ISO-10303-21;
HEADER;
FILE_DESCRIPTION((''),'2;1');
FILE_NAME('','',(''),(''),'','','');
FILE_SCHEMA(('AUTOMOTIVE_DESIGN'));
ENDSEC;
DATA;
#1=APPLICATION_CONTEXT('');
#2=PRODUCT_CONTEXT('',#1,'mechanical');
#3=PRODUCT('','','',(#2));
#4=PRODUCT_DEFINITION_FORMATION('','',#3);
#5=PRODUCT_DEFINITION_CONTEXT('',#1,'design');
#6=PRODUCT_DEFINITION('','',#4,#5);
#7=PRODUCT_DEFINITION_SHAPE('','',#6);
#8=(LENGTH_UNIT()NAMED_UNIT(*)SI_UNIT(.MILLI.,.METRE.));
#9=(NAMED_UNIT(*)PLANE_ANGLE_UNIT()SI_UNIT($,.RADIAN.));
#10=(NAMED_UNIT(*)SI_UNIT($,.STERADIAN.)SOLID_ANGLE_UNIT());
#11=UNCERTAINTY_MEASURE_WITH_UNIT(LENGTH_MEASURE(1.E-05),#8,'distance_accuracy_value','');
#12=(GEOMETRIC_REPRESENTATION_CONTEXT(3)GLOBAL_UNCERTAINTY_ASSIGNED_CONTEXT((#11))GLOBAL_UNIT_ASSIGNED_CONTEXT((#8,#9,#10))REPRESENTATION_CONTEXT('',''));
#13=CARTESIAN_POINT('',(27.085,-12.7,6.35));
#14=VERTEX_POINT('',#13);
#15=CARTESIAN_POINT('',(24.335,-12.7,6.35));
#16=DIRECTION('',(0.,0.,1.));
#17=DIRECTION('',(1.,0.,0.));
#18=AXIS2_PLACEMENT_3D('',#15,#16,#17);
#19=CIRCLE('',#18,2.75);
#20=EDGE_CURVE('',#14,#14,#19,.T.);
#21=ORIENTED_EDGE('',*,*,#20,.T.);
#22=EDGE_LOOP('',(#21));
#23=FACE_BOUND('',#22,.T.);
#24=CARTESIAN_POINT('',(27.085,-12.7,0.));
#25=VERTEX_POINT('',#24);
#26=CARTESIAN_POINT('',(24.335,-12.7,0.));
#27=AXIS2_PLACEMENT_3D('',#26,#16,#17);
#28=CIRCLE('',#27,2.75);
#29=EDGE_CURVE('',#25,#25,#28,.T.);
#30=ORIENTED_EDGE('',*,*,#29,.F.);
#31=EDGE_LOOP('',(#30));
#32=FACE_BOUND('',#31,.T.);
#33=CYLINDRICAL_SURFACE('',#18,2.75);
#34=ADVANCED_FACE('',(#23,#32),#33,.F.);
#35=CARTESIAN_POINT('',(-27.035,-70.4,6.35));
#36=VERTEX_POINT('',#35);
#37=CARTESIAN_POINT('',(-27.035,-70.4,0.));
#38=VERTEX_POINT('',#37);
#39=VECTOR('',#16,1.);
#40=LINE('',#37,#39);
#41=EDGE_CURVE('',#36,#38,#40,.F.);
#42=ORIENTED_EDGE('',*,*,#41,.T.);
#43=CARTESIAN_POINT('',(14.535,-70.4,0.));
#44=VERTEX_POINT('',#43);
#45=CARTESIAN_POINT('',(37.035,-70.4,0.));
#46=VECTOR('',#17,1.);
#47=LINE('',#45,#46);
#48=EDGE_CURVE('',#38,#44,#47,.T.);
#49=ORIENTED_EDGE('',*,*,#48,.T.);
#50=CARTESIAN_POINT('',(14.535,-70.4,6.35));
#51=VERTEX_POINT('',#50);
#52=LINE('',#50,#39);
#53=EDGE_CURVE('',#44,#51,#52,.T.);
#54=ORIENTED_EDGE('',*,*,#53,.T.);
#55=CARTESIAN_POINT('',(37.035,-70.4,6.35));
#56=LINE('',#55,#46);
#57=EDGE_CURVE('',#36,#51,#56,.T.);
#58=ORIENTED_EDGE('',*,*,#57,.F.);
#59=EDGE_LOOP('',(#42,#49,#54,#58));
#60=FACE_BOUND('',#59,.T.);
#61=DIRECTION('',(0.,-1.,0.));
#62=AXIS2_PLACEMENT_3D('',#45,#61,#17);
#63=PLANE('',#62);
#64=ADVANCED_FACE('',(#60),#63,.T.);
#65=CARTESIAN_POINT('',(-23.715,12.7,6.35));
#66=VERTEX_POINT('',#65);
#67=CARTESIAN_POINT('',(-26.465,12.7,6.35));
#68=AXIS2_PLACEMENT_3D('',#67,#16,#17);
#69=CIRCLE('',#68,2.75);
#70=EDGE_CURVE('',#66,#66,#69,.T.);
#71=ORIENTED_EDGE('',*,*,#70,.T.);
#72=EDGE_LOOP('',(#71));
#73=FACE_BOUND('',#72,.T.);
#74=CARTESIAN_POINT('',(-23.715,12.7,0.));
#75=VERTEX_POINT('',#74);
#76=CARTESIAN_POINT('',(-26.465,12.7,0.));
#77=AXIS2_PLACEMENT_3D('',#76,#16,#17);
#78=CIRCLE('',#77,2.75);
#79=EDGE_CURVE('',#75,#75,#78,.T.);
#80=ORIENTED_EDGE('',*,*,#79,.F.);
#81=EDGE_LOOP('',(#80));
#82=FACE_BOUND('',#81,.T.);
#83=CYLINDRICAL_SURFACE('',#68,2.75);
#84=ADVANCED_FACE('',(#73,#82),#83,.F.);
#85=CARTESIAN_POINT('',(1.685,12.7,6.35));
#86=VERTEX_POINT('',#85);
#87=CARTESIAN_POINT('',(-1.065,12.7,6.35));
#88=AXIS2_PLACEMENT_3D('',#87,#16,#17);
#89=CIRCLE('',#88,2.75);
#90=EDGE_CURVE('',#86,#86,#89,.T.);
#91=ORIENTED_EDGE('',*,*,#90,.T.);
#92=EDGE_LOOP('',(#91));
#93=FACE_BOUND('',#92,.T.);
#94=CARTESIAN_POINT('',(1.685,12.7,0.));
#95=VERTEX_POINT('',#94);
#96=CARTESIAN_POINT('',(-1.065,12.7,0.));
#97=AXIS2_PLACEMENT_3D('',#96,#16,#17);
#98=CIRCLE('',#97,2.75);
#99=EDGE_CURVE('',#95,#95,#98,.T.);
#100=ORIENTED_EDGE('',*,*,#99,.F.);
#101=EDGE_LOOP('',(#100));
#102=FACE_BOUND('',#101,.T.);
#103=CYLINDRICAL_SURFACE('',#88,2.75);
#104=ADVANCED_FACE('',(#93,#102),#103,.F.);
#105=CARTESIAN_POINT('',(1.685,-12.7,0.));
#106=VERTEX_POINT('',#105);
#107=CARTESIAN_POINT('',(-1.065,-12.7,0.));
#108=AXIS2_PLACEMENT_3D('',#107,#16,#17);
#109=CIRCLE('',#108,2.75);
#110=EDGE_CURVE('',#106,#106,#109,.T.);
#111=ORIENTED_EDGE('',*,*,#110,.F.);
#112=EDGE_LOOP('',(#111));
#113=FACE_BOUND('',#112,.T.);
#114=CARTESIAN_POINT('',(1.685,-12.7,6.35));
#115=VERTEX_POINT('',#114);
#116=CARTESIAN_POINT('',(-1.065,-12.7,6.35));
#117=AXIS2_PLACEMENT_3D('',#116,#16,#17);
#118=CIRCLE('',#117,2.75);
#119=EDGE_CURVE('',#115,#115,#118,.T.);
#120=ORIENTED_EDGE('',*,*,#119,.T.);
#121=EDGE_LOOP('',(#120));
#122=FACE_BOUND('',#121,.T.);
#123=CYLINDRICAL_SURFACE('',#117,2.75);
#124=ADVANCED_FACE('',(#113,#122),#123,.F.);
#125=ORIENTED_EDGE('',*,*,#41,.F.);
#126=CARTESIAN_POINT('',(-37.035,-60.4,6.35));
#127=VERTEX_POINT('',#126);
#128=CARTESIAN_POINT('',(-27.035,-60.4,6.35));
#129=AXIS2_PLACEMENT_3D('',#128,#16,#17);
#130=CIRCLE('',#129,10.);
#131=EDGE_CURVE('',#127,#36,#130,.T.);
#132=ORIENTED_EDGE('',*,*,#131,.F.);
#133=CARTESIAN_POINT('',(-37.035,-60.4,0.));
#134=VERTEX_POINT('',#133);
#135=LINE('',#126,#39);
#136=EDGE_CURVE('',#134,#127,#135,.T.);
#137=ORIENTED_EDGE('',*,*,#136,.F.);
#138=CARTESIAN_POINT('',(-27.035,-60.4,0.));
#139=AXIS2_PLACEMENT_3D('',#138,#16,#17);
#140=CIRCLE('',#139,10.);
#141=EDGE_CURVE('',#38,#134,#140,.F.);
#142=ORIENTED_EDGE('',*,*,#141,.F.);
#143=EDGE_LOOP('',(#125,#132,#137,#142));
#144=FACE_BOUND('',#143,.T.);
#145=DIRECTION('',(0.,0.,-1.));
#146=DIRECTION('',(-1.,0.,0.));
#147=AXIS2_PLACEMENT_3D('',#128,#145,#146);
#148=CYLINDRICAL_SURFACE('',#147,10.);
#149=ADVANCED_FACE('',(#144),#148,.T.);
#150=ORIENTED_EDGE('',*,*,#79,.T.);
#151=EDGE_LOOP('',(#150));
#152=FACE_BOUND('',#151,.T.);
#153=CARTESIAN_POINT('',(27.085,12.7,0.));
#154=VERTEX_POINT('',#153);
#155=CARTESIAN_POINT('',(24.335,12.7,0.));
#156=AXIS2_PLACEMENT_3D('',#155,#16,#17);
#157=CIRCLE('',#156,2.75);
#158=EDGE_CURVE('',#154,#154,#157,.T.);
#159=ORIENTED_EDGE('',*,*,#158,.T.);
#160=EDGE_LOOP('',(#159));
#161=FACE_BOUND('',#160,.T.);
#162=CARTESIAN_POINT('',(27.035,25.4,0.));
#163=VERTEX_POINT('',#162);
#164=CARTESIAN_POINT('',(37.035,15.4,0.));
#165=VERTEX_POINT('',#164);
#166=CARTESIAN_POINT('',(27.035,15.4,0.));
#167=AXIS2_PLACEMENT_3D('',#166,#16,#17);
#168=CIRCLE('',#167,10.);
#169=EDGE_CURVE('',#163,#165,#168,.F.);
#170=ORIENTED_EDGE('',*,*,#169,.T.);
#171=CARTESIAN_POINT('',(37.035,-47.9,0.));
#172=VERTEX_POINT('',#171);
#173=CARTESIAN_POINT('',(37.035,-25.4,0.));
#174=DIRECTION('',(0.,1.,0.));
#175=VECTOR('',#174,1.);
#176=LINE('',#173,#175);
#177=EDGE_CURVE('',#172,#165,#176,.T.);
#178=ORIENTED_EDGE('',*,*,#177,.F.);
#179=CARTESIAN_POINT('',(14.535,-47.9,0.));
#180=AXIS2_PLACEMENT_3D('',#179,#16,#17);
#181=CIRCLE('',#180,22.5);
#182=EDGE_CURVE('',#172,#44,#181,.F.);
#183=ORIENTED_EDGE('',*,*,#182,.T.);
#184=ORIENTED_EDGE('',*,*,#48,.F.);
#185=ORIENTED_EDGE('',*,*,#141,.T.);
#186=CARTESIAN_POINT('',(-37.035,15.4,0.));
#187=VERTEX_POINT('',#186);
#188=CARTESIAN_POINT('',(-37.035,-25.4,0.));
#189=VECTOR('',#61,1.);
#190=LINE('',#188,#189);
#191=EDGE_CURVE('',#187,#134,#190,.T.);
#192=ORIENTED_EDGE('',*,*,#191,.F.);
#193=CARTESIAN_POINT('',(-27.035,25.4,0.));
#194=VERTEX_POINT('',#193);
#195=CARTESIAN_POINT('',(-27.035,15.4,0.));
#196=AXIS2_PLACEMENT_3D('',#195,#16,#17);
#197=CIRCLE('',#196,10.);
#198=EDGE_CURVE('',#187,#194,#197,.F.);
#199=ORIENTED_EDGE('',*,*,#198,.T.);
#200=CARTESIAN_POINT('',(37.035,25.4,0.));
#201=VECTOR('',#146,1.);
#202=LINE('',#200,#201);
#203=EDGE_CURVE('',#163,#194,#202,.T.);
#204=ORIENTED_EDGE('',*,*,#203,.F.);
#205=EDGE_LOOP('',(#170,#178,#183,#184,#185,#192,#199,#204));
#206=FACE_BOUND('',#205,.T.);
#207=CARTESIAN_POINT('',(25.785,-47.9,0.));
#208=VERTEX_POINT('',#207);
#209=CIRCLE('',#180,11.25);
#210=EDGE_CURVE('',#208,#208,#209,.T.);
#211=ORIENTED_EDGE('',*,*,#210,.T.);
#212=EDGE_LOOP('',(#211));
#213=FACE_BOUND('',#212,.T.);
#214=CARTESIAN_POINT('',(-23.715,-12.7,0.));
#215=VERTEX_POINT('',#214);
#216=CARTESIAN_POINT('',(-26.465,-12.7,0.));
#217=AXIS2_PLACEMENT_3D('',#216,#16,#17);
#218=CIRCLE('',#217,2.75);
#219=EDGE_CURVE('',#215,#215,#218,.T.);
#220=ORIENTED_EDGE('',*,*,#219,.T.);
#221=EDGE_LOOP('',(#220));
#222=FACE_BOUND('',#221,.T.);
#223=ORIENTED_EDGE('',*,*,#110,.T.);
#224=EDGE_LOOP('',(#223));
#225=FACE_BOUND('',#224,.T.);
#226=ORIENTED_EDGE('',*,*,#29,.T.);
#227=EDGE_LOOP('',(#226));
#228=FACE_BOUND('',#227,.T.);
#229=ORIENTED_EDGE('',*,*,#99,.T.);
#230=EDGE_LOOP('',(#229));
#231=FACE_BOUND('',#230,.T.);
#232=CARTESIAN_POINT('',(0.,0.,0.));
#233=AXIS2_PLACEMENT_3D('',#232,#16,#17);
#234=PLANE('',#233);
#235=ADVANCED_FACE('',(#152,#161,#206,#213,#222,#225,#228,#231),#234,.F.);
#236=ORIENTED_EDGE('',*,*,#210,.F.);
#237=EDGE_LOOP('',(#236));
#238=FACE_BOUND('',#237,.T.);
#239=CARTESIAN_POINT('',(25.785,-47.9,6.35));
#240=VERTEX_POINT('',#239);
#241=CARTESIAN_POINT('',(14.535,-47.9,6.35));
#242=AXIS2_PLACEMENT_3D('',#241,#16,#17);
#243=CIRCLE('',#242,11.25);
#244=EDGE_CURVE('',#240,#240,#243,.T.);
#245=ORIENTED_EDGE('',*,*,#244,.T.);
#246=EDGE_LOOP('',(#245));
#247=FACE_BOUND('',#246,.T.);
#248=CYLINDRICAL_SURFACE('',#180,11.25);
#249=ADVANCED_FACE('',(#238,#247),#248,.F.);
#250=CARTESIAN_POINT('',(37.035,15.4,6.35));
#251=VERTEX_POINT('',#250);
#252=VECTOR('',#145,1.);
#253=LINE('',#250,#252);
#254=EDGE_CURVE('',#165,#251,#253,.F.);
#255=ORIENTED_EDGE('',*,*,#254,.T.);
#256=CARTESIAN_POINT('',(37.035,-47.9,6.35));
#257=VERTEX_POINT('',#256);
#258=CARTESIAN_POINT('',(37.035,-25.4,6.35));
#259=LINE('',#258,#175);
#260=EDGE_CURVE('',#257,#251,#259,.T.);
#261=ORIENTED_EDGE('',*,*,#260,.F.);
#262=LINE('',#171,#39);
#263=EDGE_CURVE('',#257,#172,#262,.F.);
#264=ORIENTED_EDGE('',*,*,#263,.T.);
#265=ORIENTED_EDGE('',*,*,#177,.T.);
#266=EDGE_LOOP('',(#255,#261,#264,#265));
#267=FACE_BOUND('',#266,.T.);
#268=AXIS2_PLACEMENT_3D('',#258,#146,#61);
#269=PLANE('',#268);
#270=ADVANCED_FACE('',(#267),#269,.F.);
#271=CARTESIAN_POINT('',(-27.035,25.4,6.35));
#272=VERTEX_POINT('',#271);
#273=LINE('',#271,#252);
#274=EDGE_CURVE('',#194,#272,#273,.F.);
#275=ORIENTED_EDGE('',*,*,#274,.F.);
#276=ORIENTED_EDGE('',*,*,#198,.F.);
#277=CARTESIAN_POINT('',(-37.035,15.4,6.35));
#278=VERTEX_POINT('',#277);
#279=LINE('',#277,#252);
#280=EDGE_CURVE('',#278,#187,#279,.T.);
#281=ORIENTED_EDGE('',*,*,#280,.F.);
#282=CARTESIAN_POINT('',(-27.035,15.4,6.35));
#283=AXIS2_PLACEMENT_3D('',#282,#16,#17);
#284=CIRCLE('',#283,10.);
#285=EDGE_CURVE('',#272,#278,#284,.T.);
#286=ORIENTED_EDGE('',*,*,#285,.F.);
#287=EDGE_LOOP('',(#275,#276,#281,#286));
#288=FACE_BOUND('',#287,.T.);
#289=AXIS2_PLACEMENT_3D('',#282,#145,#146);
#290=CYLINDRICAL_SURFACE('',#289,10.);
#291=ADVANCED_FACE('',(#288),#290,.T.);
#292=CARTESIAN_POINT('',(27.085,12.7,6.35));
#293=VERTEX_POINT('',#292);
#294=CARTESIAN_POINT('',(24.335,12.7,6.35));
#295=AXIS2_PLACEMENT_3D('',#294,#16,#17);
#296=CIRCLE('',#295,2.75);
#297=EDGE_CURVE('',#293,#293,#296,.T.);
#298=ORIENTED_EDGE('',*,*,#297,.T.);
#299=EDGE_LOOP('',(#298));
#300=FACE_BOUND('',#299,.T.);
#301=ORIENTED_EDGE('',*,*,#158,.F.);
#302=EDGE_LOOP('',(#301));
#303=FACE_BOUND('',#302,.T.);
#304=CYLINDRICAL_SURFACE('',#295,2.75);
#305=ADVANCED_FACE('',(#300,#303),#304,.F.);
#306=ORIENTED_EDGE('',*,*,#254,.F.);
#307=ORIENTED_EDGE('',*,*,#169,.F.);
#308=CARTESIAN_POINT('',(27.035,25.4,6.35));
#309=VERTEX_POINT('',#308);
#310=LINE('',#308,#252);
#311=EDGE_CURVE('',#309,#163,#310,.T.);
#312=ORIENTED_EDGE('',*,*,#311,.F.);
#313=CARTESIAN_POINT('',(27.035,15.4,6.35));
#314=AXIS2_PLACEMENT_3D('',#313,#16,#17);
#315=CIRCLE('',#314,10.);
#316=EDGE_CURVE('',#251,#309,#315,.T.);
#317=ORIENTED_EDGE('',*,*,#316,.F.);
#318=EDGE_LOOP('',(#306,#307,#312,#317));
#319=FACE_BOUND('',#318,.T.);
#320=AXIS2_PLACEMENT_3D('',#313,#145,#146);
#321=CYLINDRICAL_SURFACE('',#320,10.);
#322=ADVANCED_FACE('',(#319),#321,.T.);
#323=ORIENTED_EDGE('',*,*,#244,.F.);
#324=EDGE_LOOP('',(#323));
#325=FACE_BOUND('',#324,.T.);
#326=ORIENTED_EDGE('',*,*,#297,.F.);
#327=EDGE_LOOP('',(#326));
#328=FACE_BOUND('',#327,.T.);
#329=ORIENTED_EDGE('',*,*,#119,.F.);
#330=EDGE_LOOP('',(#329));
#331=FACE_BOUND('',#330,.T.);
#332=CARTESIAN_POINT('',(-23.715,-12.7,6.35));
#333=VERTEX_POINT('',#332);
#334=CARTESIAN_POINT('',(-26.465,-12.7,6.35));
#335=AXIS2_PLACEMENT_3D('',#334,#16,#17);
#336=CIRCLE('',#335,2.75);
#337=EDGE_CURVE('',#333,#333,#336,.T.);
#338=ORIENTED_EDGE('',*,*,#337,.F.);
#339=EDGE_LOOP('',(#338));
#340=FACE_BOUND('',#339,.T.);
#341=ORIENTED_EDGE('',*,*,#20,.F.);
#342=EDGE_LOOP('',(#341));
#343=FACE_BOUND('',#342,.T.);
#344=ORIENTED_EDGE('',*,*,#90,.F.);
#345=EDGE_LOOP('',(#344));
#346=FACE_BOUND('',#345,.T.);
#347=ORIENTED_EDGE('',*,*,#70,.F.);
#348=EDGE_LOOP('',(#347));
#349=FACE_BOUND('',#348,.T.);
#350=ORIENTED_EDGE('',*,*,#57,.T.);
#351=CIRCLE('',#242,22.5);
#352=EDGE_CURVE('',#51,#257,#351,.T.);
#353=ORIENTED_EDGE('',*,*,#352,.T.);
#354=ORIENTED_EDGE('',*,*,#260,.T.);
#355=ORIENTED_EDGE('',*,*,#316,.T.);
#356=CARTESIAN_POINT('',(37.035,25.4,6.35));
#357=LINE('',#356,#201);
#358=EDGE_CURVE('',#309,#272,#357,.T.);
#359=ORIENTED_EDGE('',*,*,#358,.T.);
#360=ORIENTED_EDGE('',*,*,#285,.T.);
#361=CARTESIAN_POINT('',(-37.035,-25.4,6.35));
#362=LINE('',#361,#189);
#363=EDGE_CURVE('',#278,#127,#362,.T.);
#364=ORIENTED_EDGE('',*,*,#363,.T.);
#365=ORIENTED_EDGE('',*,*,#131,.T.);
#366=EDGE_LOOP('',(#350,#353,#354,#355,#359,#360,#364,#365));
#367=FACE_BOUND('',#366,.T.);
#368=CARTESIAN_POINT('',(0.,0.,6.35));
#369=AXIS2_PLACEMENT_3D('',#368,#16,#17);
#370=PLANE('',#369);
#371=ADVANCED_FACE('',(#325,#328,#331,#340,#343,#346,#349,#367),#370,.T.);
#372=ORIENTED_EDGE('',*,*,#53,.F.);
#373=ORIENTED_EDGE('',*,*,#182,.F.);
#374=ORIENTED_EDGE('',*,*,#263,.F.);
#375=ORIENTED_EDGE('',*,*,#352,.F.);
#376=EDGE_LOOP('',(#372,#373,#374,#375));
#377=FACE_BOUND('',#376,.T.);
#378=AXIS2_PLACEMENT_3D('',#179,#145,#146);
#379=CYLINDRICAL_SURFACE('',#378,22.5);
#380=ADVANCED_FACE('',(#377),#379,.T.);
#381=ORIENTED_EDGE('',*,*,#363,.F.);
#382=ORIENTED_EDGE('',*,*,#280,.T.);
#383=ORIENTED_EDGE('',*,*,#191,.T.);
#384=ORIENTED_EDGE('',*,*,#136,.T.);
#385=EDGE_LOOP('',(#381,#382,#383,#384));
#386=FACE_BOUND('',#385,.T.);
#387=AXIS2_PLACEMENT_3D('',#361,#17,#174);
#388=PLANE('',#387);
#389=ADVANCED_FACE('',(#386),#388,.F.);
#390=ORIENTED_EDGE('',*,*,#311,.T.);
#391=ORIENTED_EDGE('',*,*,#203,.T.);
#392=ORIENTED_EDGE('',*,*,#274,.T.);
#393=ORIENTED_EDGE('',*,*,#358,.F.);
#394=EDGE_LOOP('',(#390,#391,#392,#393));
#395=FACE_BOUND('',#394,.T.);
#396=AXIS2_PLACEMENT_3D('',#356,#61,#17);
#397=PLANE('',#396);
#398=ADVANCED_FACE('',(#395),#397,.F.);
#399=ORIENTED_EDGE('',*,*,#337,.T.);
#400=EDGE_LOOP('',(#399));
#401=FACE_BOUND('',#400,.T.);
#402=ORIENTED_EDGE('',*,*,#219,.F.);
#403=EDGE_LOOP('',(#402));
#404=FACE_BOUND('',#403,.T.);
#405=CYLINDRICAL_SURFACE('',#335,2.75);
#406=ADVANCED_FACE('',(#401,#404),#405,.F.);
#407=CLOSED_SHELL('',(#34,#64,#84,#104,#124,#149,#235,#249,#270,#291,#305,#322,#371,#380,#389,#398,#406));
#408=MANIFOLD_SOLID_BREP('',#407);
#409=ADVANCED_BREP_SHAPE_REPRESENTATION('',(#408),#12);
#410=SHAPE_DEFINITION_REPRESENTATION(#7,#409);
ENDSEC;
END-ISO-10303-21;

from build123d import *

# Parameters (mm, degrees)
SKETCH1_W            = 74.07
SKETCH1_H            = 50.8
BOSS_EXTRUDE1_DEPTH  = 6.35
FILLET1_R            = 10
M5_CLEARANCE_HOLE1_D = 5.5
BOSS_EXTRUDE2_DEPTH  = 6.35
SKETCH5_R            = 11.25
CUT_EXTRUDE1_DEPTH   = 7.35
FILLET2_R            = 10
FILLET3_R            = 22.5


with BuildPart() as part:
    # Sketch1 → Boss-Extrude1 (new body)
    with BuildSketch(Plane.XY):
        Rectangle(SKETCH1_W, SKETCH1_H)
    extrude(amount=BOSS_EXTRUDE1_DEPTH)

    # Fillet1
    fillet1_edges = [part.edges().sort_by_distance(p)[0] for p in [
        (-37.035, 25.4, 3.175),
        (37.035, 25.4, 3.175),
        (37.035, -25.4, 3.175),
        (-37.035, -25.4, 3.175),
    ]]
    fillet(fillet1_edges, radius=FILLET1_R)

    # M5 Clearance Hole1 (through all)
    with Locations(Plane.XY.offset(6.35)):
        with Locations((-26.465, 12.7), (-26.465, -12.7), (-1.065, -12.7), (-1.065, 12.7), (24.335, 12.7), (24.335, -12.7)):
            Hole(M5_CLEARANCE_HOLE1_D / 2)

    # Sketch4 → Boss-Extrude2 (add)
    with BuildSketch(Plane.XY.offset(6.35)):
        Polygon((37.035, -15.4), (37.035, -70.4), (-37.035, -70.4), (-37.035, -15.4), (-27.035, -25.4), (27.035, -25.4), align=None)
    extrude(amount=-BOSS_EXTRUDE2_DEPTH)

    # Sketch5 → Cut-Extrude1 (cut, through all)
    with BuildSketch(Plane.XY.offset(6.35)):
        with Locations((14.535, -47.9)):
            Circle(SKETCH5_R)
    extrude(amount=-CUT_EXTRUDE1_DEPTH, mode=Mode.SUBTRACT)

    # Fillet2
    fillet2_edges = [part.edges().sort_by_distance(p)[0] for p in [
        (-37.035, -70.4, 3.175),
    ]]
    fillet(fillet2_edges, radius=FILLET2_R)

    # Fillet3
    fillet3_edges = [part.edges().sort_by_distance(p)[0] for p in [
        (37.035, -70.4, 3.175),
    ]]
    fillet(fillet3_edges, radius=FILLET3_R)


solid = part.part
